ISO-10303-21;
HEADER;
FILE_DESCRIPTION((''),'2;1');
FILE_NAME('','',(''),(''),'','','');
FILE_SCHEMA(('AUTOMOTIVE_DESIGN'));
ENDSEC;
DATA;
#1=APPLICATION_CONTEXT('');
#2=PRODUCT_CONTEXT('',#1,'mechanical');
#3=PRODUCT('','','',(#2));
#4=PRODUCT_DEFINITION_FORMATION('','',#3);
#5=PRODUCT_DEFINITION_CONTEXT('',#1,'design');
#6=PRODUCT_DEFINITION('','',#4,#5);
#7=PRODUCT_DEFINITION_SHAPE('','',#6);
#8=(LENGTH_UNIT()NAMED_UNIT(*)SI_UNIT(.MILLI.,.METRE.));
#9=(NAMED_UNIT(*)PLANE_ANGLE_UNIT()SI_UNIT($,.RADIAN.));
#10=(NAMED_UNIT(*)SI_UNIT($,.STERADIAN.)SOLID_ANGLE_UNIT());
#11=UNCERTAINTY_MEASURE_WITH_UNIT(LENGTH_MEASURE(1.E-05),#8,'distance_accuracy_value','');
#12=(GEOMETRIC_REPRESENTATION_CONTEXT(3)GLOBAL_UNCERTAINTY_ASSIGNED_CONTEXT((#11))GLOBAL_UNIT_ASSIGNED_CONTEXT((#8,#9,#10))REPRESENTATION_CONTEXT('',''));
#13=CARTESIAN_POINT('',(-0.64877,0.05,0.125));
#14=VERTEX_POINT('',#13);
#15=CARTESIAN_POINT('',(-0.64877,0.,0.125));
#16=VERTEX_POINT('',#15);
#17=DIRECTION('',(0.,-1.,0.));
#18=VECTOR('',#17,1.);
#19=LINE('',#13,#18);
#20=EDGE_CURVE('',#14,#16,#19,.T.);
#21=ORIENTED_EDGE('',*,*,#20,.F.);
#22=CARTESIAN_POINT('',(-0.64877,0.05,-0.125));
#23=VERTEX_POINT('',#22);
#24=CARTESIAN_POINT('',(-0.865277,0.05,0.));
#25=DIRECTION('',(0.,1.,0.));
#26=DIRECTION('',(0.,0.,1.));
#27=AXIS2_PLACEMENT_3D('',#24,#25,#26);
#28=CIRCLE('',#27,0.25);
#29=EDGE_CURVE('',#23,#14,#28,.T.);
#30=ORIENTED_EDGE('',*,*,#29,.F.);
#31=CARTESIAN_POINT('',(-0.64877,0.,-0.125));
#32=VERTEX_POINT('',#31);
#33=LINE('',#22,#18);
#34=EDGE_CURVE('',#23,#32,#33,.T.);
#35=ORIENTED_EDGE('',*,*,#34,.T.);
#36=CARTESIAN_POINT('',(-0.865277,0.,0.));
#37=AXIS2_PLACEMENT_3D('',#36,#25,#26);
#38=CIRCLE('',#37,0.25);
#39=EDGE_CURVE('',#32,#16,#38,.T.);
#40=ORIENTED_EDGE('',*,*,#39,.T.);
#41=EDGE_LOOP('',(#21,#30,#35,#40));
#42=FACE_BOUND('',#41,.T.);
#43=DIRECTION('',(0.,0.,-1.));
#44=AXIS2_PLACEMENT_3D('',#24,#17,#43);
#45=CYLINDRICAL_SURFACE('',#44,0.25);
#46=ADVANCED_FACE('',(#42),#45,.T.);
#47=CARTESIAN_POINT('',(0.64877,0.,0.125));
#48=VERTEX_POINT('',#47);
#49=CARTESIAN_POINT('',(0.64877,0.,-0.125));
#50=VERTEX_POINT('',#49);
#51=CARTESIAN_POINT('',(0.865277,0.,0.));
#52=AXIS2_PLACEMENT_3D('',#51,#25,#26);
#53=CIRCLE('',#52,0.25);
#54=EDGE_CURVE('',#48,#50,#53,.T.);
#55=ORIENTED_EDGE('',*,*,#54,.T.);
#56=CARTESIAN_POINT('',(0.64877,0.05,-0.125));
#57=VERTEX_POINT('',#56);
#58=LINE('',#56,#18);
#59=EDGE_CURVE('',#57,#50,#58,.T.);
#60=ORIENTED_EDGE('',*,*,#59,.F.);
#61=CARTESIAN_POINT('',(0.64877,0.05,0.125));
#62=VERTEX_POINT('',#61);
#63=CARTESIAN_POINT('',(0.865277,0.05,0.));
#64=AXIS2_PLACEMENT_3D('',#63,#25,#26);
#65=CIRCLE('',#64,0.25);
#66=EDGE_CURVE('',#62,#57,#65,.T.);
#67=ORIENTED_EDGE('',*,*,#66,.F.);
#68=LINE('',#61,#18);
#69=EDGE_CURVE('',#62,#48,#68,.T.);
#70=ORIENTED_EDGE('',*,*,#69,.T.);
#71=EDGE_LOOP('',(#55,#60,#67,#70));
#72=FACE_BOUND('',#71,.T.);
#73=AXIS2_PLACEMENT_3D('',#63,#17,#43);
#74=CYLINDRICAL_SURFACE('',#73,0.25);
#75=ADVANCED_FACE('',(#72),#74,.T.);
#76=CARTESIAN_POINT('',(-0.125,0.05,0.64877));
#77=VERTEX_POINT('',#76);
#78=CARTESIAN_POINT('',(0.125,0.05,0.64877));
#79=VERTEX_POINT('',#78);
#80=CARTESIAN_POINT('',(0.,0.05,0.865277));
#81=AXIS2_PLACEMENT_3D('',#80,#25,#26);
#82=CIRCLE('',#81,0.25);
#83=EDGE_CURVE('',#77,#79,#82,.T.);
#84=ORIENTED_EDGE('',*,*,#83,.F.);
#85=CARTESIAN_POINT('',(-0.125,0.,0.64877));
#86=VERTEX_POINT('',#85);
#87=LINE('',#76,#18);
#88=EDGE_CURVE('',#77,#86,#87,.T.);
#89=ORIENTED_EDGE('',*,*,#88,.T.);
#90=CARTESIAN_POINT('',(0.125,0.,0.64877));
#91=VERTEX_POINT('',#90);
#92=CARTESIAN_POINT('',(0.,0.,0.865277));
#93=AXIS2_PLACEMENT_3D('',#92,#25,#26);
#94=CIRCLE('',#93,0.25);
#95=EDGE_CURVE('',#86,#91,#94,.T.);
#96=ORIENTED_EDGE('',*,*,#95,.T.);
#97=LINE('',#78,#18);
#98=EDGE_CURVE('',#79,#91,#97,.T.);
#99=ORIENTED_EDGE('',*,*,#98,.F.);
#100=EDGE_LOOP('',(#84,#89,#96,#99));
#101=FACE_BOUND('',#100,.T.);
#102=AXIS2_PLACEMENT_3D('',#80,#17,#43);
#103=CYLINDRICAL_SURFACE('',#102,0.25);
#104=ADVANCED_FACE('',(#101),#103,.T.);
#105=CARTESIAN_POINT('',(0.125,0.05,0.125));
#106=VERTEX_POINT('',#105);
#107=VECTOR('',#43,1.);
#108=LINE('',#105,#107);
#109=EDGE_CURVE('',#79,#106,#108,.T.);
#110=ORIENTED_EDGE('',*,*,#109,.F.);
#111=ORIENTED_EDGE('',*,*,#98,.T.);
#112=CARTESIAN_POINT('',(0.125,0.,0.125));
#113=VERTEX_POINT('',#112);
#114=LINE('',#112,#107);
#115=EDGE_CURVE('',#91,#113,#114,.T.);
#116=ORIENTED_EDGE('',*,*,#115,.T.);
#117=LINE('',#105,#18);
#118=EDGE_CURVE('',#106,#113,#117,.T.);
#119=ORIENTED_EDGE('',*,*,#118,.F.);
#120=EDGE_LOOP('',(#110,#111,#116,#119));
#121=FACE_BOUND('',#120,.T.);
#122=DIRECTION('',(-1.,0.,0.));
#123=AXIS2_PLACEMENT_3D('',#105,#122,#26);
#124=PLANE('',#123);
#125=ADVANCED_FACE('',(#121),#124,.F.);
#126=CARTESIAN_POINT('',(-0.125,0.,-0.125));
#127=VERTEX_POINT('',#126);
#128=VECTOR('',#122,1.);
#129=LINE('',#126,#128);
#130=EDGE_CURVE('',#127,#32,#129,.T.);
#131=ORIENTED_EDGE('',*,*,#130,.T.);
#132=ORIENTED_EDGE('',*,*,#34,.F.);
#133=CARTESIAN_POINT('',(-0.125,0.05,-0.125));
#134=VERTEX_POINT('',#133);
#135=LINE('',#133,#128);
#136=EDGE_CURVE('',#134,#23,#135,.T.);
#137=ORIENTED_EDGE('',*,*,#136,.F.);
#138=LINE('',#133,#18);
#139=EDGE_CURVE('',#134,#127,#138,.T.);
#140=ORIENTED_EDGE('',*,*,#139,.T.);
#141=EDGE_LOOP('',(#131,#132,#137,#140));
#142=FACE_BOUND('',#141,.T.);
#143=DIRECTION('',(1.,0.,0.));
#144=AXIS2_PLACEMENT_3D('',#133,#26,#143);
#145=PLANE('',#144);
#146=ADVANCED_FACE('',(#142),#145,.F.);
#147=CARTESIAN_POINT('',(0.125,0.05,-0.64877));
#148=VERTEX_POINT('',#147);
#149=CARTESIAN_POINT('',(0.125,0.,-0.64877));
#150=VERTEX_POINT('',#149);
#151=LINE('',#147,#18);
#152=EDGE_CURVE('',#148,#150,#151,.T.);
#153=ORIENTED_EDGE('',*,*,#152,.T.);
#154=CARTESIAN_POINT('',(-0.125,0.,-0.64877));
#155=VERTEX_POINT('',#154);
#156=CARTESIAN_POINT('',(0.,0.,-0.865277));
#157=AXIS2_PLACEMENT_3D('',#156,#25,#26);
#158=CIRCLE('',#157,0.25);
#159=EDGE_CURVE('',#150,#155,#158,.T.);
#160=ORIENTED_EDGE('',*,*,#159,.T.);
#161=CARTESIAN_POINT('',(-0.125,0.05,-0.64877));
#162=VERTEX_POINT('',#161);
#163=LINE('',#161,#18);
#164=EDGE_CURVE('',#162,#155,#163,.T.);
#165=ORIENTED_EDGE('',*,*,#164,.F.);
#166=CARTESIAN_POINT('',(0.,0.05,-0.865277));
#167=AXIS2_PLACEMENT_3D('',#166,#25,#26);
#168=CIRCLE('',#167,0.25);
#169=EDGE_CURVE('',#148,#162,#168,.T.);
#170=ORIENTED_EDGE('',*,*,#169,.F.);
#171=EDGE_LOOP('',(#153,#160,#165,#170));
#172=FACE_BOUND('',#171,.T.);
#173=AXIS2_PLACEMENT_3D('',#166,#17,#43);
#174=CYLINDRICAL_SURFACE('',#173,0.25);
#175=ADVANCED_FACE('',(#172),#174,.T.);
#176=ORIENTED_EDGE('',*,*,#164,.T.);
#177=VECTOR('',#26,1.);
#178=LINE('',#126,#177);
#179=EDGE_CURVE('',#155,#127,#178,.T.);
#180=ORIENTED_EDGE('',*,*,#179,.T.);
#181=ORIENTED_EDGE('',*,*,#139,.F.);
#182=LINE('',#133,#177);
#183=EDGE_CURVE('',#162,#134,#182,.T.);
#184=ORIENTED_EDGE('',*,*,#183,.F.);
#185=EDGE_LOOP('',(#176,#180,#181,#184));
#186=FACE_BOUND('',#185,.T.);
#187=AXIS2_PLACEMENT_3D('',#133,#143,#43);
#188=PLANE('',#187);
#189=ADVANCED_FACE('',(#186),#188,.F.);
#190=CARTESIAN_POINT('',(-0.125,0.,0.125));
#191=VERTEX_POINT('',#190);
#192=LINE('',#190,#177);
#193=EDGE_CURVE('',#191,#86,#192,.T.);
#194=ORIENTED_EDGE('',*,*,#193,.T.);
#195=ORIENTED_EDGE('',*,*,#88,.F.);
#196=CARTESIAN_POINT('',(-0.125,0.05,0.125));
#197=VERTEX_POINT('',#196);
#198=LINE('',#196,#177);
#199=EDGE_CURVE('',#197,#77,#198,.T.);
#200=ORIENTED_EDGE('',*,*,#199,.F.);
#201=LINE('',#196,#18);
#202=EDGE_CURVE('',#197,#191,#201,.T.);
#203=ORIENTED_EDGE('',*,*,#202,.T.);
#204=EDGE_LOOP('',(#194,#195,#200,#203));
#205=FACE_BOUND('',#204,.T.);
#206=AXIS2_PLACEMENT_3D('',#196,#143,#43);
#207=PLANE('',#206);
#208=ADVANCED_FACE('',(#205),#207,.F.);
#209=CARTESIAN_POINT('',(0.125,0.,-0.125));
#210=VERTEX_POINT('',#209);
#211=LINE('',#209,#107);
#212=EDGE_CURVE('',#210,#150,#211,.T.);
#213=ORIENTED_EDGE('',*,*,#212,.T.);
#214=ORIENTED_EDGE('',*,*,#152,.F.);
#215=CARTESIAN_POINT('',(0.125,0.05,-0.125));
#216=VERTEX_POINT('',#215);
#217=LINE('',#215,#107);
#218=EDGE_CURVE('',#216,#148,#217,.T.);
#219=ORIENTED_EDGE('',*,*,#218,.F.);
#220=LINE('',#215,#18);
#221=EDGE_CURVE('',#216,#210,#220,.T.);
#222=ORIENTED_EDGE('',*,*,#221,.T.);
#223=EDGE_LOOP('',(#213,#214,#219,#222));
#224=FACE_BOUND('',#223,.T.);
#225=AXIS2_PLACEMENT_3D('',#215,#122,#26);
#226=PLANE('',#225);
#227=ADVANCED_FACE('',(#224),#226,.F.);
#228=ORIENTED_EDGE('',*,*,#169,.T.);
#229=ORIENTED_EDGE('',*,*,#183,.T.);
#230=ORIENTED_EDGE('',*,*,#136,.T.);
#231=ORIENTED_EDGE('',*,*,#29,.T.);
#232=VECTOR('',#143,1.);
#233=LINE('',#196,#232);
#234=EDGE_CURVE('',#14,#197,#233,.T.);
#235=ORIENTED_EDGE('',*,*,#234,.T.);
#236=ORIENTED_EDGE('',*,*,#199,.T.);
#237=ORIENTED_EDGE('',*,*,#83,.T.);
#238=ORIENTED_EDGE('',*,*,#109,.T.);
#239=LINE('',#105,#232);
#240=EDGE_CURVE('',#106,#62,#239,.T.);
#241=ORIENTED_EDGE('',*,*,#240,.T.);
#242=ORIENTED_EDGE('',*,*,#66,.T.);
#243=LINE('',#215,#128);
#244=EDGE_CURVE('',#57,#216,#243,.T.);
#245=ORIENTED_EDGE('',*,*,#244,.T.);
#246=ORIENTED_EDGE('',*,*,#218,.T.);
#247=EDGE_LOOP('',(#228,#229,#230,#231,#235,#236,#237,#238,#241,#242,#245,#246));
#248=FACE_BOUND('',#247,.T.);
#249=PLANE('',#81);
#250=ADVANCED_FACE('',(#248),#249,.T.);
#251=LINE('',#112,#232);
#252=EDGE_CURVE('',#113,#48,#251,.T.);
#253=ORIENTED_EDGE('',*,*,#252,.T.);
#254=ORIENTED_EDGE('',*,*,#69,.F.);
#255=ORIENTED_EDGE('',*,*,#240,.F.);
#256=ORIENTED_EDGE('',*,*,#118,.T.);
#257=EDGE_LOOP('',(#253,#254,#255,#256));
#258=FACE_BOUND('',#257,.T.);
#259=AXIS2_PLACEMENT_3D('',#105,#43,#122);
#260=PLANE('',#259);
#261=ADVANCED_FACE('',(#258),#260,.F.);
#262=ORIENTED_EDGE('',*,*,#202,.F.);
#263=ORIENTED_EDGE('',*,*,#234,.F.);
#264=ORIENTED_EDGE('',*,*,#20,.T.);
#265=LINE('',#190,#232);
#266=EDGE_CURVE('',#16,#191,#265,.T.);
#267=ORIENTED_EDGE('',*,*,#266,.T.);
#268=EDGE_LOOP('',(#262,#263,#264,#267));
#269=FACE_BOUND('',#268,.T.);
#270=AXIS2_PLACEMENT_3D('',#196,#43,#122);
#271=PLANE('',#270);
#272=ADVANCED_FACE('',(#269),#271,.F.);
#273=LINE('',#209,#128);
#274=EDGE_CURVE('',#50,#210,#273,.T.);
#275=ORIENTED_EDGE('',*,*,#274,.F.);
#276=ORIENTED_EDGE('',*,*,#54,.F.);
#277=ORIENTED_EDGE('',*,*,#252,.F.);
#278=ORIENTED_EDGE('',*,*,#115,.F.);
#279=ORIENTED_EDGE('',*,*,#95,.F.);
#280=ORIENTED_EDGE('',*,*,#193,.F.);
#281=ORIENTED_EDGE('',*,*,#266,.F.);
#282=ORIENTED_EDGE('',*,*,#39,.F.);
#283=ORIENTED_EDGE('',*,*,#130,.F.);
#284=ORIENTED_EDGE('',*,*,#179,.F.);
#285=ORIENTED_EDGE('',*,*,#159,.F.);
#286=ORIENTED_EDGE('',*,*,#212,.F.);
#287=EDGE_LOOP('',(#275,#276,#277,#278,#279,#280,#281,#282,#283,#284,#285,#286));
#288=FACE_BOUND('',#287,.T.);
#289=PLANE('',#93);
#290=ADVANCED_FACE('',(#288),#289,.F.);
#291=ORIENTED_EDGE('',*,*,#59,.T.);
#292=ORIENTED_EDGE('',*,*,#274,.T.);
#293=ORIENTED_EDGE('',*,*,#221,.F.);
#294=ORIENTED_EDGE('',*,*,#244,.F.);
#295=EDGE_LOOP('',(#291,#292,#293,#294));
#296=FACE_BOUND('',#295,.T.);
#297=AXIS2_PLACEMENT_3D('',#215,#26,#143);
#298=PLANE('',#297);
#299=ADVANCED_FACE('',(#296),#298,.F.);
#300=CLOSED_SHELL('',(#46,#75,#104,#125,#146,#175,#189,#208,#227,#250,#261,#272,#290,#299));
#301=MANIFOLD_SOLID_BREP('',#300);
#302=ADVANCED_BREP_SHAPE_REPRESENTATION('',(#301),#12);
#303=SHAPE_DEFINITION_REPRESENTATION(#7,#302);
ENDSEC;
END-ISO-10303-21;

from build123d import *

# Parameters (mm, degrees)
BOSS_EXTRUDE1_DEPTH = 0.05


with BuildPart() as part:
    # Sketch1 → Boss-Extrude1 (new body)
    with BuildSketch(Plane(origin=(0, 0, 0), x_dir=(1, 0, 0), z_dir=(0, 1, 0))):
        with BuildLine():
            Line((-0.125, 0.125), (-0.125, 0.6487705))
            ThreePointArc((-0.125, 0.6487705), (0, 1.115276851), (0.125, 0.6487705))
            Line((0.125, 0.6487705), (0.125, 0.125))
            Line((0.125, 0.125), (0.6487705, 0.125))
            ThreePointArc((0.6487705, 0.125), (1.115276851, 0), (0.6487705, -0.125))
            Line((0.6487705, -0.125), (0.125, -0.125))
            Line((0.125, -0.125), (0.125, -0.6487705))
            ThreePointArc((0.125, -0.6487705), (0, -1.115276851), (-0.125, -0.6487705))
            Line((-0.125, -0.6487705), (-0.125, -0.125))
            Line((-0.125, -0.125), (-0.6487705, -0.125))
            ThreePointArc((-0.6487705, -0.125), (-1.115276851, 0), (-0.6487705, 0.125))
            Line((-0.6487705, 0.125), (-0.125, 0.125))
        make_face()
    extrude(amount=BOSS_EXTRUDE1_DEPTH)


solid = part.part
